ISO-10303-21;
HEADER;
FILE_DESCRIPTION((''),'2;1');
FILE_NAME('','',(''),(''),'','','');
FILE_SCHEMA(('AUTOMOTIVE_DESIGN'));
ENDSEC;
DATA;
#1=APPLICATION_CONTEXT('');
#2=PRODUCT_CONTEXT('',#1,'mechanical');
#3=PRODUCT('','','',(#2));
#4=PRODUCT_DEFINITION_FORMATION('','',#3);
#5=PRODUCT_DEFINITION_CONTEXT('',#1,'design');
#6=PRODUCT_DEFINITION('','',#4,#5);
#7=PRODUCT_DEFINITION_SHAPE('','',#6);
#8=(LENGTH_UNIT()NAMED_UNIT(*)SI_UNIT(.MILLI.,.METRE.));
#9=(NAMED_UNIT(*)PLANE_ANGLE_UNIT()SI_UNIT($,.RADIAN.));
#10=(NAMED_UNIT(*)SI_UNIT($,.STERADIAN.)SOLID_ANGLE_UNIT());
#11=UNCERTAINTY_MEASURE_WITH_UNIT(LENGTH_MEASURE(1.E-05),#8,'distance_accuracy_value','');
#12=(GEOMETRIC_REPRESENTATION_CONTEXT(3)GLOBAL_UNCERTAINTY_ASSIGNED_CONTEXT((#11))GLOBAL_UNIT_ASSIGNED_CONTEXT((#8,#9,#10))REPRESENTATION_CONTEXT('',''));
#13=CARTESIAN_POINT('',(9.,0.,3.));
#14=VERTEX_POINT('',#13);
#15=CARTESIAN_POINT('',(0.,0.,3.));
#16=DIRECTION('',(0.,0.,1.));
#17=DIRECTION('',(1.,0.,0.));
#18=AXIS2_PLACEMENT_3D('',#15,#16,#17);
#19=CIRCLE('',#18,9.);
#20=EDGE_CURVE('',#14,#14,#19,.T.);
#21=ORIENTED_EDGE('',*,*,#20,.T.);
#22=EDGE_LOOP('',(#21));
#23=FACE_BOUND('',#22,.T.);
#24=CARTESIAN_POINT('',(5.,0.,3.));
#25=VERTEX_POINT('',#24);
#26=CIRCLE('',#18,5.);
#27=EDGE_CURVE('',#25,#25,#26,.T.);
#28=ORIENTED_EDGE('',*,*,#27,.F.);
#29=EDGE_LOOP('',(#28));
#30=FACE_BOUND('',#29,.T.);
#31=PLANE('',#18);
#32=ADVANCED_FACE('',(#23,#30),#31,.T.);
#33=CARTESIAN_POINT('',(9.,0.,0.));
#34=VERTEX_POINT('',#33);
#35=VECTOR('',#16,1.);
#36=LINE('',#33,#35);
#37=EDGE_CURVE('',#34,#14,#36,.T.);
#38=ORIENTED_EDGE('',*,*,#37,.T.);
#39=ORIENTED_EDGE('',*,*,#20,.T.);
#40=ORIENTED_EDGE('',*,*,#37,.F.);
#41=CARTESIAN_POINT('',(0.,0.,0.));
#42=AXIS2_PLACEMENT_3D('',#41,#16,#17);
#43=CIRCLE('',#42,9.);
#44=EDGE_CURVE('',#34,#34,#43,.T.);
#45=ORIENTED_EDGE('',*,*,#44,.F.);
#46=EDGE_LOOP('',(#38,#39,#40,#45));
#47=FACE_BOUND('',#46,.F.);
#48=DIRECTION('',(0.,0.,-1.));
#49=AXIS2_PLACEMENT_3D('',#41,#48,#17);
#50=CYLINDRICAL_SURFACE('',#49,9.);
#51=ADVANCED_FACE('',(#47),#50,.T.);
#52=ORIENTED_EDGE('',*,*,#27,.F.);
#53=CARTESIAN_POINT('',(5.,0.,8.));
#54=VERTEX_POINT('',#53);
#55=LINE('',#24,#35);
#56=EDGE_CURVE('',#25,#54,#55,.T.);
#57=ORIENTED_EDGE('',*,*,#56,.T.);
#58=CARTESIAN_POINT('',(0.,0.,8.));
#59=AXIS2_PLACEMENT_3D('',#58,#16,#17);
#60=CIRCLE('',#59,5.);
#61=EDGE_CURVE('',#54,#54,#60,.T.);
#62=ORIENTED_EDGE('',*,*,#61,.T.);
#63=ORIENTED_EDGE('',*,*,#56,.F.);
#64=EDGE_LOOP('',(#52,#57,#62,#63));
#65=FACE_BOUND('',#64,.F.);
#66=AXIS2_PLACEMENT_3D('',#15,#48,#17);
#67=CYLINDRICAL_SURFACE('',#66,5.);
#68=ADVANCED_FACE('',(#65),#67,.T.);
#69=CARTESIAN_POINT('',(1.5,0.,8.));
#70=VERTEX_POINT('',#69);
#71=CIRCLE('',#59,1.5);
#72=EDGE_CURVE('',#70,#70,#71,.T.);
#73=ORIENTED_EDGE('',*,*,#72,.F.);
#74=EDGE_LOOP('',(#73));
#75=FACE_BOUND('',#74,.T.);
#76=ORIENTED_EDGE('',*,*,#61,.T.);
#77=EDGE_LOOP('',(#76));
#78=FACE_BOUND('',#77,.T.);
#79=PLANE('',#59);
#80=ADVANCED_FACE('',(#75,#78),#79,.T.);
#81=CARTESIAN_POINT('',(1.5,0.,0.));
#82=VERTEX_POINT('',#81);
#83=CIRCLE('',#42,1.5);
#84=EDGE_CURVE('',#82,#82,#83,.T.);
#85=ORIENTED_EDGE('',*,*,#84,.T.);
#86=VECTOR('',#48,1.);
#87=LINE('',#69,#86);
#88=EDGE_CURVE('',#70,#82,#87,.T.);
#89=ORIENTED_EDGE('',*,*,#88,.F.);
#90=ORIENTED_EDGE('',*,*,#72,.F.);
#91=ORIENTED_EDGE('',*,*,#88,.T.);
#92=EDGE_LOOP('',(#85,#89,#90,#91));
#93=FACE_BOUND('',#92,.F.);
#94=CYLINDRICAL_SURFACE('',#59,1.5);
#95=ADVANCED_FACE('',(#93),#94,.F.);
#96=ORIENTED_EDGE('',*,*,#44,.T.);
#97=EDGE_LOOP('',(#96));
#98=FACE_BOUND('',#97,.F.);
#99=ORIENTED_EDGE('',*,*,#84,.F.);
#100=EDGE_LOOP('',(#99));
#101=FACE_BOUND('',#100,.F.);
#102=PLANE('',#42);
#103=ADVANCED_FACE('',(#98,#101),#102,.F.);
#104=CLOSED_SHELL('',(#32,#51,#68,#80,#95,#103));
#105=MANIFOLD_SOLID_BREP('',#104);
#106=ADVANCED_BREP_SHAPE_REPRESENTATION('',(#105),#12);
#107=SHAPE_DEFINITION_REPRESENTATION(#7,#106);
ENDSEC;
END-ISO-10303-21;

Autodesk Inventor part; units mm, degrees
ref_plane "YZ Plane" through (0, 0, 0) normal (1, 0, 0) x (0, 1, 0)
ref_plane "XZ Plane" through (0, 0, 0) normal (0, 1, 0) x (-1, 0, 0)
ref_plane "XY Plane" through (0, 0, 0) normal (0, 0, 1) x (1, 0, 0)
sketch "スケッチ1" plane through (0, 0, 0) normal (0, 0, 1) x (1, 0, 0)
  circle A0 centre (0, 0) radius 9
  dimension "d0" = 18
extrude "押し出し1" add sketch "スケッチ1" along normal blind 3
sketch "スケッチ2" plane through (0, 0, 3) normal (0, 0, 1) x (1, 0, 0)
  circle A0 centre (0, 0) radius 5
  dimension "d3" = 10
extrude "押し出し2" add sketch "スケッチ2" along normal blind 5
sketch "スケッチ3" plane through (0, 0, 8) normal (0, 0, 1) x (1, 0, 0)
  circle A0 centre (0, 0) radius 1.5
  dimension "d6" = 3
extrude "押し出し3" cut sketch "スケッチ3" against normal blind 15
properties part number "S50B 36B+0303" material "真鍮"
